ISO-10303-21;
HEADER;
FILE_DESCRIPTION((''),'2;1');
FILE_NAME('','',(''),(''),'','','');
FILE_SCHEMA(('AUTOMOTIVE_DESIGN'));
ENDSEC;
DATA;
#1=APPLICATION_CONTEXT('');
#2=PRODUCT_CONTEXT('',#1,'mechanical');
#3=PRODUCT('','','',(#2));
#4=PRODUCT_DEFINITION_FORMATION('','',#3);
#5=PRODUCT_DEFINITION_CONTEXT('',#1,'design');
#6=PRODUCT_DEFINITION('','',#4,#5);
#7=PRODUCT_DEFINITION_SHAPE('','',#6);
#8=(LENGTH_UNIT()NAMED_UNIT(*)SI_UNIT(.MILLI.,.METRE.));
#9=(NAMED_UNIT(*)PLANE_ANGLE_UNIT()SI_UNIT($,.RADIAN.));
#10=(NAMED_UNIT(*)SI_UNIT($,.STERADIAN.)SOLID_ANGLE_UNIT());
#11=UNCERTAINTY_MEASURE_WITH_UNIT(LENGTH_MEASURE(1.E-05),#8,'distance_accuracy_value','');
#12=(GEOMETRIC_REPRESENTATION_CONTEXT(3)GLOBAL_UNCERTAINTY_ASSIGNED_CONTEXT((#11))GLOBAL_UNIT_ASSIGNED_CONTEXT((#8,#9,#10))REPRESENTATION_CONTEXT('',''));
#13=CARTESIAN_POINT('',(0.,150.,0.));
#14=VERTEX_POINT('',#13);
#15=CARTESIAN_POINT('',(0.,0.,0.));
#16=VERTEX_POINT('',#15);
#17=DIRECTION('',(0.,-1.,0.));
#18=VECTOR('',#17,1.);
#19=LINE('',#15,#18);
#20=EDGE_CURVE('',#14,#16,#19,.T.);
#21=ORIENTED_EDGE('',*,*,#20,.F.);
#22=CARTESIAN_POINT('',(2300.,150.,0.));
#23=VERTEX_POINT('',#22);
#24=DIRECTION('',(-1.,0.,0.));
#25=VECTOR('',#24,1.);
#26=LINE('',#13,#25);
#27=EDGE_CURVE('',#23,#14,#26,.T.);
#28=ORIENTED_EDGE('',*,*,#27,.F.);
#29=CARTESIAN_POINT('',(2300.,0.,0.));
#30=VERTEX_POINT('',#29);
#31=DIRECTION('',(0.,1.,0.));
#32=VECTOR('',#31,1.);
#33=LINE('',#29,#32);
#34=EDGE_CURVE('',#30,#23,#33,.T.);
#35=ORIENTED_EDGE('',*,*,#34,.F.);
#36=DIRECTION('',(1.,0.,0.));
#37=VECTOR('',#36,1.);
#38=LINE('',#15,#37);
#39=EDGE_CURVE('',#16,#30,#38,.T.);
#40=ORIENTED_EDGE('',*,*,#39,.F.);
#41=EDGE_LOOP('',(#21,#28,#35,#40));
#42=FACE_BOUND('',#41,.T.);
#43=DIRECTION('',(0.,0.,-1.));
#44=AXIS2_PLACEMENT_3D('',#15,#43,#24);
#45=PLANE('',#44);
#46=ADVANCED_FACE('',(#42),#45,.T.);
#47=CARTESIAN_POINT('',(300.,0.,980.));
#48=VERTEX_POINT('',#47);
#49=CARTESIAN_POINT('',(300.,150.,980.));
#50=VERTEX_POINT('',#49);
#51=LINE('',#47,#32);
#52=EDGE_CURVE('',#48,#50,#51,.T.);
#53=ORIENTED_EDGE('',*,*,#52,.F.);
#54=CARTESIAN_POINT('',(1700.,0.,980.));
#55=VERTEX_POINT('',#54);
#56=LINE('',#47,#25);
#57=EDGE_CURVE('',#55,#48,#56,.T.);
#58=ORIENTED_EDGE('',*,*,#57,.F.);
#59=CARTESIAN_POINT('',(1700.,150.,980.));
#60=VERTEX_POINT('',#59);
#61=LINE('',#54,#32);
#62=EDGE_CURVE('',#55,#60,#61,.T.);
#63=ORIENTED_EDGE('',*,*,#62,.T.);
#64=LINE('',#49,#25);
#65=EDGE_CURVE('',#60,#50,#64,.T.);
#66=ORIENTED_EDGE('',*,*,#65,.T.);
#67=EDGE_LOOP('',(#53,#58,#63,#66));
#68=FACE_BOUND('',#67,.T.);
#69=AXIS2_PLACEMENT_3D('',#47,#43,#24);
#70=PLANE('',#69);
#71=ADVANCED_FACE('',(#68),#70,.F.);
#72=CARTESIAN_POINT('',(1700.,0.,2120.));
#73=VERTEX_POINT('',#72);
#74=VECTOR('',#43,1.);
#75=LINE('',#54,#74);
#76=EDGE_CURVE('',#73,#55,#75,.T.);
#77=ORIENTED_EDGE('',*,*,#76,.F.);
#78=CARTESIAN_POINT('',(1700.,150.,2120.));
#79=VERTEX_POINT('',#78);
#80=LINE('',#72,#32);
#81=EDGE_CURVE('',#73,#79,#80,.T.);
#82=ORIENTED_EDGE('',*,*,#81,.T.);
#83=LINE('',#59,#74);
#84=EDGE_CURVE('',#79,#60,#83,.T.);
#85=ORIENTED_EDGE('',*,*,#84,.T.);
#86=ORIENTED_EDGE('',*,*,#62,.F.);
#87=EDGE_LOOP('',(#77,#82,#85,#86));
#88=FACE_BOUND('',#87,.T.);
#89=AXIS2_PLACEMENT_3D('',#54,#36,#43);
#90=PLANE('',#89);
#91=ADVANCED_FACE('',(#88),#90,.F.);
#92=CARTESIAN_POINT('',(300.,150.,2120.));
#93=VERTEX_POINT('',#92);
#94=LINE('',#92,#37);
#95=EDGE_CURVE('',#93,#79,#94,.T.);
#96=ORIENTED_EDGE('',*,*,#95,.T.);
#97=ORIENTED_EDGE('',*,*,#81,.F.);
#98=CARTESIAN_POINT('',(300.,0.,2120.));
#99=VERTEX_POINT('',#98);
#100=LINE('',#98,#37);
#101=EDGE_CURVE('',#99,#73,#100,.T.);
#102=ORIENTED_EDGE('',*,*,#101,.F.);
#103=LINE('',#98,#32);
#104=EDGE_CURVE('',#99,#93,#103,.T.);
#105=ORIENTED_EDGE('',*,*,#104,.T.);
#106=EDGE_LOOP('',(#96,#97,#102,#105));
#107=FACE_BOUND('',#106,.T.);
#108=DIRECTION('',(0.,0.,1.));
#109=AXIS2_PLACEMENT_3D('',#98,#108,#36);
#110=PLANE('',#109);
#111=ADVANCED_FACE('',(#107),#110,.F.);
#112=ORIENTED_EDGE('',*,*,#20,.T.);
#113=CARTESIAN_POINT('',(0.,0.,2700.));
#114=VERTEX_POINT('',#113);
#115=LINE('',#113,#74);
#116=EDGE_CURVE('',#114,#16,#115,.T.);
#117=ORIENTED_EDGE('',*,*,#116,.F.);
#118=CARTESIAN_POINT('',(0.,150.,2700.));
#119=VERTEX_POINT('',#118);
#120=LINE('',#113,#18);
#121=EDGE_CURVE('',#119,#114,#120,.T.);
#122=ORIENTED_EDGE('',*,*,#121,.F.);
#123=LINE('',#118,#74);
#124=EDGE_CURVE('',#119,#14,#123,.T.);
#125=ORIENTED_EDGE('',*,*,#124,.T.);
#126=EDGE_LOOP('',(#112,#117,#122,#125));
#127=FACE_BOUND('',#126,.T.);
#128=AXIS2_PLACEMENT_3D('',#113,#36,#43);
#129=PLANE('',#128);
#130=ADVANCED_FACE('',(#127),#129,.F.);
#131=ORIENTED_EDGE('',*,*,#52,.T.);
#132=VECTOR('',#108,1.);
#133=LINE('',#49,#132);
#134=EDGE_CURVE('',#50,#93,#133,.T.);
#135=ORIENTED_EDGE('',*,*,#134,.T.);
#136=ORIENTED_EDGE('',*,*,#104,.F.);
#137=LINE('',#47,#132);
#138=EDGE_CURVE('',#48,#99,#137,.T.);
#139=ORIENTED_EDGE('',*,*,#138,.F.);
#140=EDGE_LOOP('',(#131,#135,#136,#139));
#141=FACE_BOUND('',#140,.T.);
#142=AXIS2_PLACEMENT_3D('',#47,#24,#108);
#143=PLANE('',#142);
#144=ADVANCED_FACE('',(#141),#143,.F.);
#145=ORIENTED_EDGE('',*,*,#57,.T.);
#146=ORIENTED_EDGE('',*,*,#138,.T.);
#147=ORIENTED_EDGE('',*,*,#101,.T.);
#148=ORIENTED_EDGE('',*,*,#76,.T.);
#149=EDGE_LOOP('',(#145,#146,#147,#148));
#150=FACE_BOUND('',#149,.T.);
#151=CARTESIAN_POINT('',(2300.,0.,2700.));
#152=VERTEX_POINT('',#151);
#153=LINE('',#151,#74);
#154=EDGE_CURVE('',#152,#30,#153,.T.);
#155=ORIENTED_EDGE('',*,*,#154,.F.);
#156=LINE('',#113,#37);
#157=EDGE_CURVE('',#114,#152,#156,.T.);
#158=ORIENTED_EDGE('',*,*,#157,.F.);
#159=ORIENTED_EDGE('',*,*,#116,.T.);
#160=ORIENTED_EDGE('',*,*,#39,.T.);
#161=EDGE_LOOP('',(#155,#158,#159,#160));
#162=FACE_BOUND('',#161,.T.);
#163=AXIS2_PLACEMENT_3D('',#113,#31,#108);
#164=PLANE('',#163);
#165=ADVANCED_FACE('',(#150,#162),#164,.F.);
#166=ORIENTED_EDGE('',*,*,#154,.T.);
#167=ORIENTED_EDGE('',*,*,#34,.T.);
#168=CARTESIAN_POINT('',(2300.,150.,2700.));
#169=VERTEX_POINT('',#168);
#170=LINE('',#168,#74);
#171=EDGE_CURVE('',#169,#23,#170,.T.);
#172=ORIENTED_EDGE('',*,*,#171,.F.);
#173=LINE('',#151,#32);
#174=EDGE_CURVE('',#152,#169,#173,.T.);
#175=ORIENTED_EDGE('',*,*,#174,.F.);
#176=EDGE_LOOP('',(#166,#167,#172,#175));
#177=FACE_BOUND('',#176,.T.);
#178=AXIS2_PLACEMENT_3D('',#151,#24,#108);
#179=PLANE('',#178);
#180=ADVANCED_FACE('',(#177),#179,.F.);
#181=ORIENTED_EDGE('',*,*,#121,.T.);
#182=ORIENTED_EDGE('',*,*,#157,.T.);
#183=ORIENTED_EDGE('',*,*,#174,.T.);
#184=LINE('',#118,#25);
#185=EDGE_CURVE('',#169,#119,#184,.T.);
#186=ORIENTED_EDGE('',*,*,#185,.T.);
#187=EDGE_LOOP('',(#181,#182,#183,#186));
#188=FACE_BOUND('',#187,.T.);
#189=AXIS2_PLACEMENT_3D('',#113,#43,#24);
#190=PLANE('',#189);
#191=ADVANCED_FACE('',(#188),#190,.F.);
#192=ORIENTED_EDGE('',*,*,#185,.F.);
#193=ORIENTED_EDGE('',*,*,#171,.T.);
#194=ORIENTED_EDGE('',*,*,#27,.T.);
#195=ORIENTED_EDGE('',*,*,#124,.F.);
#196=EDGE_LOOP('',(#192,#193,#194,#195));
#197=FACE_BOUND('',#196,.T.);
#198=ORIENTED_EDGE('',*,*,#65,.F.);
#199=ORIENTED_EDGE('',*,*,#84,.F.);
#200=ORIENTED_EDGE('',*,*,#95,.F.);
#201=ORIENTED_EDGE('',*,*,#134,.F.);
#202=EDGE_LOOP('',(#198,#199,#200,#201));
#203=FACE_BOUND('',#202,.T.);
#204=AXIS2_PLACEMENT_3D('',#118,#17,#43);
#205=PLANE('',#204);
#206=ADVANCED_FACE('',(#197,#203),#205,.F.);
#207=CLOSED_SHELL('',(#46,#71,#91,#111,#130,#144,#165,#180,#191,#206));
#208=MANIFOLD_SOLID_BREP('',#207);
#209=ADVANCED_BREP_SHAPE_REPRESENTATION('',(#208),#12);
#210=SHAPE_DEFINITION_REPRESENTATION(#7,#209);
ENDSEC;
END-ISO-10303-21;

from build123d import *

# Parameters (mm, degrees)
ESBO_O1_W                = 2300
ESBO_O1_H                = 150
RESSALTO_EXTRUS_O1_DEPTH = 2700
ESBO_O2_W                = 1400
ESBO_O2_H                = 1140
CORTE_EXTRUS_O1_DEPTH    = 151


with BuildPart() as part:
    # Esboço1 → Ressalto-extrusão1 (new body)
    with BuildSketch(Plane.XY):
        with Locations((1150, 75)):
            Rectangle(ESBO_O1_W, ESBO_O1_H)
    extrude(amount=RESSALTO_EXTRUS_O1_DEPTH)

    # Esboço2 → Corte-extrusão1 (cut, through all)
    with BuildSketch(Plane(origin=(0, 150, 0), x_dir=(1, 0, 0), z_dir=(0, 1, 0))):
        with Locations((1000, -1550)):
            Rectangle(ESBO_O2_W, ESBO_O2_H)
    extrude(amount=-CORTE_EXTRUS_O1_DEPTH, mode=Mode.SUBTRACT)


solid = part.part
